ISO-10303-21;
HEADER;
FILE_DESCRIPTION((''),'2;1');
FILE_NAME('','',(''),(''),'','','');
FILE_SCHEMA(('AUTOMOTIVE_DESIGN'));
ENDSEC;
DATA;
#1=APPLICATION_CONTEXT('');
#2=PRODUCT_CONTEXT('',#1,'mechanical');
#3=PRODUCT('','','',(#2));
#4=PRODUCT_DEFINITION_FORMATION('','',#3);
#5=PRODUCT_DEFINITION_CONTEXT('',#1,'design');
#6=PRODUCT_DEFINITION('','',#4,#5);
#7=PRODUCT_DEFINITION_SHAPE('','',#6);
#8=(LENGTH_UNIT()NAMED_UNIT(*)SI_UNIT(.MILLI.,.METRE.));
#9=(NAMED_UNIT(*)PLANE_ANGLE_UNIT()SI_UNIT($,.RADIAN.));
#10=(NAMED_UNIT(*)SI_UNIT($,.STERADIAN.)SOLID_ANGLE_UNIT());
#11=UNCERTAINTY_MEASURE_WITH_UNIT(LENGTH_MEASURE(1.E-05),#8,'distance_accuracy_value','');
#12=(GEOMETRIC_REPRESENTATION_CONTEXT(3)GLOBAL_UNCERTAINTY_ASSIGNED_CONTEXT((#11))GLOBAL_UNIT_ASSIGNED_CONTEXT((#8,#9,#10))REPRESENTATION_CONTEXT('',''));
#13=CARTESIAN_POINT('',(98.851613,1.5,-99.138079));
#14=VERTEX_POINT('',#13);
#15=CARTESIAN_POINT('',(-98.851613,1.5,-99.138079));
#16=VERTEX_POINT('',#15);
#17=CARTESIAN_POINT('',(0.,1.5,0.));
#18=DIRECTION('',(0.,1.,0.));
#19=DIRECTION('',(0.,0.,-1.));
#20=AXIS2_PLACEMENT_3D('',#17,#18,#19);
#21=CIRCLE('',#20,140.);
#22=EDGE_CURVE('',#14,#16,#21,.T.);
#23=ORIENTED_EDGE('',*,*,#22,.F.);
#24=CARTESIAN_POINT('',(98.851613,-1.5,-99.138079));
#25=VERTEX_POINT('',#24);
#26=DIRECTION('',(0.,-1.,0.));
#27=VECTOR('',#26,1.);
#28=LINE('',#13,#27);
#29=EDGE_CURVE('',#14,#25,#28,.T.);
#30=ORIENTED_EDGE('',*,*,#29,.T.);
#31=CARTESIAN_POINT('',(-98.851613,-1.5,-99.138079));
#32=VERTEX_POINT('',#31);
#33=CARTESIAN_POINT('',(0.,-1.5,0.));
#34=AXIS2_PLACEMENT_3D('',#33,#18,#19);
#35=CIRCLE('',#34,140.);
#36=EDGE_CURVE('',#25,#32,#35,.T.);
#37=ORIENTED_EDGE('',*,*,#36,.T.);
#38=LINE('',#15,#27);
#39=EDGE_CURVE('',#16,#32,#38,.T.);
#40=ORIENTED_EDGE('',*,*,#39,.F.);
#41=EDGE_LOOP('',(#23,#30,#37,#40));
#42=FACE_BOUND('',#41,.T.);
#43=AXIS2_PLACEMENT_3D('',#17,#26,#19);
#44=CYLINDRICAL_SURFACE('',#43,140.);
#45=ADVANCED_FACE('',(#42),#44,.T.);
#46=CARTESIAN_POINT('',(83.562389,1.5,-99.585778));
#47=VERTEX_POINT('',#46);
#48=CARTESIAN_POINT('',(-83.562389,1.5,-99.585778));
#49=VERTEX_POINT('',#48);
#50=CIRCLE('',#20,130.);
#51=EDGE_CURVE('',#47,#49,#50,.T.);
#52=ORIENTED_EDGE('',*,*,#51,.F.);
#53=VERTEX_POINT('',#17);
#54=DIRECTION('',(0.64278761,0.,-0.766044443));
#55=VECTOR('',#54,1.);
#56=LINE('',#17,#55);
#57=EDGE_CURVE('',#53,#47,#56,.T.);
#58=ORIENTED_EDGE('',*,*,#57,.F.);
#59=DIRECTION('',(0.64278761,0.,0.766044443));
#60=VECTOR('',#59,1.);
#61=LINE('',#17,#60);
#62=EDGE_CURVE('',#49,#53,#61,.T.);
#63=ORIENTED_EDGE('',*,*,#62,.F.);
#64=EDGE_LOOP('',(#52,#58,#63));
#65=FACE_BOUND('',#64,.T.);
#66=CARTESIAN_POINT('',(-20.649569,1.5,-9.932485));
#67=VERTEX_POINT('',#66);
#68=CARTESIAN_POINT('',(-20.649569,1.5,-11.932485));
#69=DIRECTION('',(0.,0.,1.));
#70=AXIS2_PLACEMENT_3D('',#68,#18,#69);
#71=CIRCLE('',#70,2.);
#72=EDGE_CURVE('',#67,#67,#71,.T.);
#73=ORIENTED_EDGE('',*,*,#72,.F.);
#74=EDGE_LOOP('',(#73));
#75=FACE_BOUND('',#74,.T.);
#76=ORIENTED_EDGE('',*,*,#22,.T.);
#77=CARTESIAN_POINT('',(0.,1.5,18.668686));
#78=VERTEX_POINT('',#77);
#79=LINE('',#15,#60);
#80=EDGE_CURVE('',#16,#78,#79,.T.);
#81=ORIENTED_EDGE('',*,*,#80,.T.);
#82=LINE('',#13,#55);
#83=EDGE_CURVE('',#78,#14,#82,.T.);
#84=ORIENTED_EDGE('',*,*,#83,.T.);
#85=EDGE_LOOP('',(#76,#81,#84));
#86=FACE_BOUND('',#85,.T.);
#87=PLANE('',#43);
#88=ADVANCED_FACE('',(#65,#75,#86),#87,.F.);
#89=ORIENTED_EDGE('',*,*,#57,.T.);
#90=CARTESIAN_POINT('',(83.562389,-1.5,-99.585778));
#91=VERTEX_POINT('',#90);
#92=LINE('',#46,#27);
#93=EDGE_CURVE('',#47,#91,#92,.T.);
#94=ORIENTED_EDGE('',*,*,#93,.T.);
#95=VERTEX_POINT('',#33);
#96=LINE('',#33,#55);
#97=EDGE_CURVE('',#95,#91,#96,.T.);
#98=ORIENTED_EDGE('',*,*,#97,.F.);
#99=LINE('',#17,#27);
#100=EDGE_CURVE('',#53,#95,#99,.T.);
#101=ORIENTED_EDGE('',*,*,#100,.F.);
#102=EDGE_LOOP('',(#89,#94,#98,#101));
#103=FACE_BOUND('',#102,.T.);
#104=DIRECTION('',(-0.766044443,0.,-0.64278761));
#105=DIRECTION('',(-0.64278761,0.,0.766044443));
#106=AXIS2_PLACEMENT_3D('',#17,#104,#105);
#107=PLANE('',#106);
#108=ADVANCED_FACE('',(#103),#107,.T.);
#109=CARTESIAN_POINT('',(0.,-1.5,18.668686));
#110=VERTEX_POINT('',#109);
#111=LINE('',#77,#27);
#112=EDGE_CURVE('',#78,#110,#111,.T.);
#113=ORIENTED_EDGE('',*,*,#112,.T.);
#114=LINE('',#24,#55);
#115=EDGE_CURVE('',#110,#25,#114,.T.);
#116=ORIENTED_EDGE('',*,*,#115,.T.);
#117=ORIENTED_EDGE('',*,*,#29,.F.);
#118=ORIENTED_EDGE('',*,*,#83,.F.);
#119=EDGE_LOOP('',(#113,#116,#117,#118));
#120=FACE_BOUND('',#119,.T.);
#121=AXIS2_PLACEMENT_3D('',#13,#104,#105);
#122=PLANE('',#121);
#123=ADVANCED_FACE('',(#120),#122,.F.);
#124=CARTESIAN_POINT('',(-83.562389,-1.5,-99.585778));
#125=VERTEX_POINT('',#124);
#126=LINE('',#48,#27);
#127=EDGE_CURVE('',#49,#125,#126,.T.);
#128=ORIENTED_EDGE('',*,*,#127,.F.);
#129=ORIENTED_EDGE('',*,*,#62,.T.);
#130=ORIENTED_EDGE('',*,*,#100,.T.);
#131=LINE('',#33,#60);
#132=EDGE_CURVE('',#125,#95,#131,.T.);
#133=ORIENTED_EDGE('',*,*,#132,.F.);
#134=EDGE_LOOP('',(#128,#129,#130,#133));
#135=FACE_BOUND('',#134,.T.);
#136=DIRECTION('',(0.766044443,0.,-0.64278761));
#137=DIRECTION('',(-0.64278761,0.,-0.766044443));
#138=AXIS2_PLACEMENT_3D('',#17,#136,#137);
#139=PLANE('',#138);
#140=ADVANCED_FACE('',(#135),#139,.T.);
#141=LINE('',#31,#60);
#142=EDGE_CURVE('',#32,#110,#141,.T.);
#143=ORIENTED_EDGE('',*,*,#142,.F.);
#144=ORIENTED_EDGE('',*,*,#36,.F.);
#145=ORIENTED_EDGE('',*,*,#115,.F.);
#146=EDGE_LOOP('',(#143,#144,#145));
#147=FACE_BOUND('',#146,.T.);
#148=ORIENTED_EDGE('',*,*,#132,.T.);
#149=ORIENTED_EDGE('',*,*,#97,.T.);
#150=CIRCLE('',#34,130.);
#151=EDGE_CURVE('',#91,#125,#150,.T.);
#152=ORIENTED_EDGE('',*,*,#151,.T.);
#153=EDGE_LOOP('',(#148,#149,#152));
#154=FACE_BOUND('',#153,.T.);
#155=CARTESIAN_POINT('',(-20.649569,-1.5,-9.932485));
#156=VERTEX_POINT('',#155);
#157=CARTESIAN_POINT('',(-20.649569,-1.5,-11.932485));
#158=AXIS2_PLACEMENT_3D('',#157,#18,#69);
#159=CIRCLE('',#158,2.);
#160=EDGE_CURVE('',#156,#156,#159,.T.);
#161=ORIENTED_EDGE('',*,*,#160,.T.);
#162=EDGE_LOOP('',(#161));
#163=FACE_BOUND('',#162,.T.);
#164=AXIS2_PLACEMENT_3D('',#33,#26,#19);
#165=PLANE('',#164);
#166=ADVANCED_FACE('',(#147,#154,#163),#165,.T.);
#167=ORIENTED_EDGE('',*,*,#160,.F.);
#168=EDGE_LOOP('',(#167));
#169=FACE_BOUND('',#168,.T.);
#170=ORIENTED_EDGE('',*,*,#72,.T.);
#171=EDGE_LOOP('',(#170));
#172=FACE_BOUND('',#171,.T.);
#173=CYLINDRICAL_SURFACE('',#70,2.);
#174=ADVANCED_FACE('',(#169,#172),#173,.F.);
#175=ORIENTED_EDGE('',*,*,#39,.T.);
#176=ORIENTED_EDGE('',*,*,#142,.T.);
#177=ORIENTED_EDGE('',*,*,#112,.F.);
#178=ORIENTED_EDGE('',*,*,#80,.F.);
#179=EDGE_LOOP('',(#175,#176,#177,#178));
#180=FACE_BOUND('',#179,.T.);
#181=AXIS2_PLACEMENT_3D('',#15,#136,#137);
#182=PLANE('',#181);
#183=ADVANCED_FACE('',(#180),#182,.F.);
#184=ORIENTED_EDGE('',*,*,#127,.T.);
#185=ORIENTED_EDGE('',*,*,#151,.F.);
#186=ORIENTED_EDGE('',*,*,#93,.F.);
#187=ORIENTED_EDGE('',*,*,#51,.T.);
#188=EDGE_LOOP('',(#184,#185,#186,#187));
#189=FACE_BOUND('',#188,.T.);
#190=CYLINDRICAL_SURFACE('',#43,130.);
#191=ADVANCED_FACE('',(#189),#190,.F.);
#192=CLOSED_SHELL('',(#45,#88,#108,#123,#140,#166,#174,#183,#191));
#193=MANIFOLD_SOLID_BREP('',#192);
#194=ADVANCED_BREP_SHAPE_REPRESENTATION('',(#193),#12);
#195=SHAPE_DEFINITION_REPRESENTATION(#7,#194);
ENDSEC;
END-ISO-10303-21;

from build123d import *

# Parameters (mm, degrees)
DODANIE_WYCI_GNI_CIE1_DEPTH = 1.5
OTWORY_USTALAJ_CE_4_0MM1_D  = 4


with BuildPart() as part:
    # Szkic1 → Dodanie-wyciągnięcie1 (new, symmetric)
    with BuildSketch(Plane(origin=(0, 0, 0), x_dir=(1, 0, 0), z_dir=(0, 1, 0))):
        with BuildLine():
            Line((-98.851612767, 99.138078726), (0, -18.668685922))
            Line((0, -18.668685922), (98.851612767, 99.138078726))
            ThreePointArc((98.851612767, 99.138078726), (94.507932102, 103.28722462), (89.990265356, 107.246222037))
            ThreePointArc((89.990265356, 107.246222037), (0, 140), (-89.990265356, 107.246222037))
            ThreePointArc((-89.990265356, 107.246222037), (-94.507932102, 103.28722462), (-98.851612767, 99.138078726))
        make_face()
        with BuildLine():
            Line((0, 0), (-83.562389259, 99.585777605))
            ThreePointArc((-83.562389259, 99.585777605), (0, 130), (83.562389259, 99.585777605))
            Line((83.562389259, 99.585777605), (0, 0))
        make_face(mode=Mode.SUBTRACT)
    extrude(amount=DODANIE_WYCI_GNI_CIE1_DEPTH, both=True)

    # Otwory ustalające Ø4.0mm1 (through all)
    with Locations(Plane(origin=(0, 1.5, 0), x_dir=(1, 0, 0), z_dir=(0, 1, 0))):
        with Locations((65, 50), (-65, 50), (-20.649569124, 11.932485481)):
            Hole(OTWORY_USTALAJ_CE_4_0MM1_D / 2)


solid = part.part
